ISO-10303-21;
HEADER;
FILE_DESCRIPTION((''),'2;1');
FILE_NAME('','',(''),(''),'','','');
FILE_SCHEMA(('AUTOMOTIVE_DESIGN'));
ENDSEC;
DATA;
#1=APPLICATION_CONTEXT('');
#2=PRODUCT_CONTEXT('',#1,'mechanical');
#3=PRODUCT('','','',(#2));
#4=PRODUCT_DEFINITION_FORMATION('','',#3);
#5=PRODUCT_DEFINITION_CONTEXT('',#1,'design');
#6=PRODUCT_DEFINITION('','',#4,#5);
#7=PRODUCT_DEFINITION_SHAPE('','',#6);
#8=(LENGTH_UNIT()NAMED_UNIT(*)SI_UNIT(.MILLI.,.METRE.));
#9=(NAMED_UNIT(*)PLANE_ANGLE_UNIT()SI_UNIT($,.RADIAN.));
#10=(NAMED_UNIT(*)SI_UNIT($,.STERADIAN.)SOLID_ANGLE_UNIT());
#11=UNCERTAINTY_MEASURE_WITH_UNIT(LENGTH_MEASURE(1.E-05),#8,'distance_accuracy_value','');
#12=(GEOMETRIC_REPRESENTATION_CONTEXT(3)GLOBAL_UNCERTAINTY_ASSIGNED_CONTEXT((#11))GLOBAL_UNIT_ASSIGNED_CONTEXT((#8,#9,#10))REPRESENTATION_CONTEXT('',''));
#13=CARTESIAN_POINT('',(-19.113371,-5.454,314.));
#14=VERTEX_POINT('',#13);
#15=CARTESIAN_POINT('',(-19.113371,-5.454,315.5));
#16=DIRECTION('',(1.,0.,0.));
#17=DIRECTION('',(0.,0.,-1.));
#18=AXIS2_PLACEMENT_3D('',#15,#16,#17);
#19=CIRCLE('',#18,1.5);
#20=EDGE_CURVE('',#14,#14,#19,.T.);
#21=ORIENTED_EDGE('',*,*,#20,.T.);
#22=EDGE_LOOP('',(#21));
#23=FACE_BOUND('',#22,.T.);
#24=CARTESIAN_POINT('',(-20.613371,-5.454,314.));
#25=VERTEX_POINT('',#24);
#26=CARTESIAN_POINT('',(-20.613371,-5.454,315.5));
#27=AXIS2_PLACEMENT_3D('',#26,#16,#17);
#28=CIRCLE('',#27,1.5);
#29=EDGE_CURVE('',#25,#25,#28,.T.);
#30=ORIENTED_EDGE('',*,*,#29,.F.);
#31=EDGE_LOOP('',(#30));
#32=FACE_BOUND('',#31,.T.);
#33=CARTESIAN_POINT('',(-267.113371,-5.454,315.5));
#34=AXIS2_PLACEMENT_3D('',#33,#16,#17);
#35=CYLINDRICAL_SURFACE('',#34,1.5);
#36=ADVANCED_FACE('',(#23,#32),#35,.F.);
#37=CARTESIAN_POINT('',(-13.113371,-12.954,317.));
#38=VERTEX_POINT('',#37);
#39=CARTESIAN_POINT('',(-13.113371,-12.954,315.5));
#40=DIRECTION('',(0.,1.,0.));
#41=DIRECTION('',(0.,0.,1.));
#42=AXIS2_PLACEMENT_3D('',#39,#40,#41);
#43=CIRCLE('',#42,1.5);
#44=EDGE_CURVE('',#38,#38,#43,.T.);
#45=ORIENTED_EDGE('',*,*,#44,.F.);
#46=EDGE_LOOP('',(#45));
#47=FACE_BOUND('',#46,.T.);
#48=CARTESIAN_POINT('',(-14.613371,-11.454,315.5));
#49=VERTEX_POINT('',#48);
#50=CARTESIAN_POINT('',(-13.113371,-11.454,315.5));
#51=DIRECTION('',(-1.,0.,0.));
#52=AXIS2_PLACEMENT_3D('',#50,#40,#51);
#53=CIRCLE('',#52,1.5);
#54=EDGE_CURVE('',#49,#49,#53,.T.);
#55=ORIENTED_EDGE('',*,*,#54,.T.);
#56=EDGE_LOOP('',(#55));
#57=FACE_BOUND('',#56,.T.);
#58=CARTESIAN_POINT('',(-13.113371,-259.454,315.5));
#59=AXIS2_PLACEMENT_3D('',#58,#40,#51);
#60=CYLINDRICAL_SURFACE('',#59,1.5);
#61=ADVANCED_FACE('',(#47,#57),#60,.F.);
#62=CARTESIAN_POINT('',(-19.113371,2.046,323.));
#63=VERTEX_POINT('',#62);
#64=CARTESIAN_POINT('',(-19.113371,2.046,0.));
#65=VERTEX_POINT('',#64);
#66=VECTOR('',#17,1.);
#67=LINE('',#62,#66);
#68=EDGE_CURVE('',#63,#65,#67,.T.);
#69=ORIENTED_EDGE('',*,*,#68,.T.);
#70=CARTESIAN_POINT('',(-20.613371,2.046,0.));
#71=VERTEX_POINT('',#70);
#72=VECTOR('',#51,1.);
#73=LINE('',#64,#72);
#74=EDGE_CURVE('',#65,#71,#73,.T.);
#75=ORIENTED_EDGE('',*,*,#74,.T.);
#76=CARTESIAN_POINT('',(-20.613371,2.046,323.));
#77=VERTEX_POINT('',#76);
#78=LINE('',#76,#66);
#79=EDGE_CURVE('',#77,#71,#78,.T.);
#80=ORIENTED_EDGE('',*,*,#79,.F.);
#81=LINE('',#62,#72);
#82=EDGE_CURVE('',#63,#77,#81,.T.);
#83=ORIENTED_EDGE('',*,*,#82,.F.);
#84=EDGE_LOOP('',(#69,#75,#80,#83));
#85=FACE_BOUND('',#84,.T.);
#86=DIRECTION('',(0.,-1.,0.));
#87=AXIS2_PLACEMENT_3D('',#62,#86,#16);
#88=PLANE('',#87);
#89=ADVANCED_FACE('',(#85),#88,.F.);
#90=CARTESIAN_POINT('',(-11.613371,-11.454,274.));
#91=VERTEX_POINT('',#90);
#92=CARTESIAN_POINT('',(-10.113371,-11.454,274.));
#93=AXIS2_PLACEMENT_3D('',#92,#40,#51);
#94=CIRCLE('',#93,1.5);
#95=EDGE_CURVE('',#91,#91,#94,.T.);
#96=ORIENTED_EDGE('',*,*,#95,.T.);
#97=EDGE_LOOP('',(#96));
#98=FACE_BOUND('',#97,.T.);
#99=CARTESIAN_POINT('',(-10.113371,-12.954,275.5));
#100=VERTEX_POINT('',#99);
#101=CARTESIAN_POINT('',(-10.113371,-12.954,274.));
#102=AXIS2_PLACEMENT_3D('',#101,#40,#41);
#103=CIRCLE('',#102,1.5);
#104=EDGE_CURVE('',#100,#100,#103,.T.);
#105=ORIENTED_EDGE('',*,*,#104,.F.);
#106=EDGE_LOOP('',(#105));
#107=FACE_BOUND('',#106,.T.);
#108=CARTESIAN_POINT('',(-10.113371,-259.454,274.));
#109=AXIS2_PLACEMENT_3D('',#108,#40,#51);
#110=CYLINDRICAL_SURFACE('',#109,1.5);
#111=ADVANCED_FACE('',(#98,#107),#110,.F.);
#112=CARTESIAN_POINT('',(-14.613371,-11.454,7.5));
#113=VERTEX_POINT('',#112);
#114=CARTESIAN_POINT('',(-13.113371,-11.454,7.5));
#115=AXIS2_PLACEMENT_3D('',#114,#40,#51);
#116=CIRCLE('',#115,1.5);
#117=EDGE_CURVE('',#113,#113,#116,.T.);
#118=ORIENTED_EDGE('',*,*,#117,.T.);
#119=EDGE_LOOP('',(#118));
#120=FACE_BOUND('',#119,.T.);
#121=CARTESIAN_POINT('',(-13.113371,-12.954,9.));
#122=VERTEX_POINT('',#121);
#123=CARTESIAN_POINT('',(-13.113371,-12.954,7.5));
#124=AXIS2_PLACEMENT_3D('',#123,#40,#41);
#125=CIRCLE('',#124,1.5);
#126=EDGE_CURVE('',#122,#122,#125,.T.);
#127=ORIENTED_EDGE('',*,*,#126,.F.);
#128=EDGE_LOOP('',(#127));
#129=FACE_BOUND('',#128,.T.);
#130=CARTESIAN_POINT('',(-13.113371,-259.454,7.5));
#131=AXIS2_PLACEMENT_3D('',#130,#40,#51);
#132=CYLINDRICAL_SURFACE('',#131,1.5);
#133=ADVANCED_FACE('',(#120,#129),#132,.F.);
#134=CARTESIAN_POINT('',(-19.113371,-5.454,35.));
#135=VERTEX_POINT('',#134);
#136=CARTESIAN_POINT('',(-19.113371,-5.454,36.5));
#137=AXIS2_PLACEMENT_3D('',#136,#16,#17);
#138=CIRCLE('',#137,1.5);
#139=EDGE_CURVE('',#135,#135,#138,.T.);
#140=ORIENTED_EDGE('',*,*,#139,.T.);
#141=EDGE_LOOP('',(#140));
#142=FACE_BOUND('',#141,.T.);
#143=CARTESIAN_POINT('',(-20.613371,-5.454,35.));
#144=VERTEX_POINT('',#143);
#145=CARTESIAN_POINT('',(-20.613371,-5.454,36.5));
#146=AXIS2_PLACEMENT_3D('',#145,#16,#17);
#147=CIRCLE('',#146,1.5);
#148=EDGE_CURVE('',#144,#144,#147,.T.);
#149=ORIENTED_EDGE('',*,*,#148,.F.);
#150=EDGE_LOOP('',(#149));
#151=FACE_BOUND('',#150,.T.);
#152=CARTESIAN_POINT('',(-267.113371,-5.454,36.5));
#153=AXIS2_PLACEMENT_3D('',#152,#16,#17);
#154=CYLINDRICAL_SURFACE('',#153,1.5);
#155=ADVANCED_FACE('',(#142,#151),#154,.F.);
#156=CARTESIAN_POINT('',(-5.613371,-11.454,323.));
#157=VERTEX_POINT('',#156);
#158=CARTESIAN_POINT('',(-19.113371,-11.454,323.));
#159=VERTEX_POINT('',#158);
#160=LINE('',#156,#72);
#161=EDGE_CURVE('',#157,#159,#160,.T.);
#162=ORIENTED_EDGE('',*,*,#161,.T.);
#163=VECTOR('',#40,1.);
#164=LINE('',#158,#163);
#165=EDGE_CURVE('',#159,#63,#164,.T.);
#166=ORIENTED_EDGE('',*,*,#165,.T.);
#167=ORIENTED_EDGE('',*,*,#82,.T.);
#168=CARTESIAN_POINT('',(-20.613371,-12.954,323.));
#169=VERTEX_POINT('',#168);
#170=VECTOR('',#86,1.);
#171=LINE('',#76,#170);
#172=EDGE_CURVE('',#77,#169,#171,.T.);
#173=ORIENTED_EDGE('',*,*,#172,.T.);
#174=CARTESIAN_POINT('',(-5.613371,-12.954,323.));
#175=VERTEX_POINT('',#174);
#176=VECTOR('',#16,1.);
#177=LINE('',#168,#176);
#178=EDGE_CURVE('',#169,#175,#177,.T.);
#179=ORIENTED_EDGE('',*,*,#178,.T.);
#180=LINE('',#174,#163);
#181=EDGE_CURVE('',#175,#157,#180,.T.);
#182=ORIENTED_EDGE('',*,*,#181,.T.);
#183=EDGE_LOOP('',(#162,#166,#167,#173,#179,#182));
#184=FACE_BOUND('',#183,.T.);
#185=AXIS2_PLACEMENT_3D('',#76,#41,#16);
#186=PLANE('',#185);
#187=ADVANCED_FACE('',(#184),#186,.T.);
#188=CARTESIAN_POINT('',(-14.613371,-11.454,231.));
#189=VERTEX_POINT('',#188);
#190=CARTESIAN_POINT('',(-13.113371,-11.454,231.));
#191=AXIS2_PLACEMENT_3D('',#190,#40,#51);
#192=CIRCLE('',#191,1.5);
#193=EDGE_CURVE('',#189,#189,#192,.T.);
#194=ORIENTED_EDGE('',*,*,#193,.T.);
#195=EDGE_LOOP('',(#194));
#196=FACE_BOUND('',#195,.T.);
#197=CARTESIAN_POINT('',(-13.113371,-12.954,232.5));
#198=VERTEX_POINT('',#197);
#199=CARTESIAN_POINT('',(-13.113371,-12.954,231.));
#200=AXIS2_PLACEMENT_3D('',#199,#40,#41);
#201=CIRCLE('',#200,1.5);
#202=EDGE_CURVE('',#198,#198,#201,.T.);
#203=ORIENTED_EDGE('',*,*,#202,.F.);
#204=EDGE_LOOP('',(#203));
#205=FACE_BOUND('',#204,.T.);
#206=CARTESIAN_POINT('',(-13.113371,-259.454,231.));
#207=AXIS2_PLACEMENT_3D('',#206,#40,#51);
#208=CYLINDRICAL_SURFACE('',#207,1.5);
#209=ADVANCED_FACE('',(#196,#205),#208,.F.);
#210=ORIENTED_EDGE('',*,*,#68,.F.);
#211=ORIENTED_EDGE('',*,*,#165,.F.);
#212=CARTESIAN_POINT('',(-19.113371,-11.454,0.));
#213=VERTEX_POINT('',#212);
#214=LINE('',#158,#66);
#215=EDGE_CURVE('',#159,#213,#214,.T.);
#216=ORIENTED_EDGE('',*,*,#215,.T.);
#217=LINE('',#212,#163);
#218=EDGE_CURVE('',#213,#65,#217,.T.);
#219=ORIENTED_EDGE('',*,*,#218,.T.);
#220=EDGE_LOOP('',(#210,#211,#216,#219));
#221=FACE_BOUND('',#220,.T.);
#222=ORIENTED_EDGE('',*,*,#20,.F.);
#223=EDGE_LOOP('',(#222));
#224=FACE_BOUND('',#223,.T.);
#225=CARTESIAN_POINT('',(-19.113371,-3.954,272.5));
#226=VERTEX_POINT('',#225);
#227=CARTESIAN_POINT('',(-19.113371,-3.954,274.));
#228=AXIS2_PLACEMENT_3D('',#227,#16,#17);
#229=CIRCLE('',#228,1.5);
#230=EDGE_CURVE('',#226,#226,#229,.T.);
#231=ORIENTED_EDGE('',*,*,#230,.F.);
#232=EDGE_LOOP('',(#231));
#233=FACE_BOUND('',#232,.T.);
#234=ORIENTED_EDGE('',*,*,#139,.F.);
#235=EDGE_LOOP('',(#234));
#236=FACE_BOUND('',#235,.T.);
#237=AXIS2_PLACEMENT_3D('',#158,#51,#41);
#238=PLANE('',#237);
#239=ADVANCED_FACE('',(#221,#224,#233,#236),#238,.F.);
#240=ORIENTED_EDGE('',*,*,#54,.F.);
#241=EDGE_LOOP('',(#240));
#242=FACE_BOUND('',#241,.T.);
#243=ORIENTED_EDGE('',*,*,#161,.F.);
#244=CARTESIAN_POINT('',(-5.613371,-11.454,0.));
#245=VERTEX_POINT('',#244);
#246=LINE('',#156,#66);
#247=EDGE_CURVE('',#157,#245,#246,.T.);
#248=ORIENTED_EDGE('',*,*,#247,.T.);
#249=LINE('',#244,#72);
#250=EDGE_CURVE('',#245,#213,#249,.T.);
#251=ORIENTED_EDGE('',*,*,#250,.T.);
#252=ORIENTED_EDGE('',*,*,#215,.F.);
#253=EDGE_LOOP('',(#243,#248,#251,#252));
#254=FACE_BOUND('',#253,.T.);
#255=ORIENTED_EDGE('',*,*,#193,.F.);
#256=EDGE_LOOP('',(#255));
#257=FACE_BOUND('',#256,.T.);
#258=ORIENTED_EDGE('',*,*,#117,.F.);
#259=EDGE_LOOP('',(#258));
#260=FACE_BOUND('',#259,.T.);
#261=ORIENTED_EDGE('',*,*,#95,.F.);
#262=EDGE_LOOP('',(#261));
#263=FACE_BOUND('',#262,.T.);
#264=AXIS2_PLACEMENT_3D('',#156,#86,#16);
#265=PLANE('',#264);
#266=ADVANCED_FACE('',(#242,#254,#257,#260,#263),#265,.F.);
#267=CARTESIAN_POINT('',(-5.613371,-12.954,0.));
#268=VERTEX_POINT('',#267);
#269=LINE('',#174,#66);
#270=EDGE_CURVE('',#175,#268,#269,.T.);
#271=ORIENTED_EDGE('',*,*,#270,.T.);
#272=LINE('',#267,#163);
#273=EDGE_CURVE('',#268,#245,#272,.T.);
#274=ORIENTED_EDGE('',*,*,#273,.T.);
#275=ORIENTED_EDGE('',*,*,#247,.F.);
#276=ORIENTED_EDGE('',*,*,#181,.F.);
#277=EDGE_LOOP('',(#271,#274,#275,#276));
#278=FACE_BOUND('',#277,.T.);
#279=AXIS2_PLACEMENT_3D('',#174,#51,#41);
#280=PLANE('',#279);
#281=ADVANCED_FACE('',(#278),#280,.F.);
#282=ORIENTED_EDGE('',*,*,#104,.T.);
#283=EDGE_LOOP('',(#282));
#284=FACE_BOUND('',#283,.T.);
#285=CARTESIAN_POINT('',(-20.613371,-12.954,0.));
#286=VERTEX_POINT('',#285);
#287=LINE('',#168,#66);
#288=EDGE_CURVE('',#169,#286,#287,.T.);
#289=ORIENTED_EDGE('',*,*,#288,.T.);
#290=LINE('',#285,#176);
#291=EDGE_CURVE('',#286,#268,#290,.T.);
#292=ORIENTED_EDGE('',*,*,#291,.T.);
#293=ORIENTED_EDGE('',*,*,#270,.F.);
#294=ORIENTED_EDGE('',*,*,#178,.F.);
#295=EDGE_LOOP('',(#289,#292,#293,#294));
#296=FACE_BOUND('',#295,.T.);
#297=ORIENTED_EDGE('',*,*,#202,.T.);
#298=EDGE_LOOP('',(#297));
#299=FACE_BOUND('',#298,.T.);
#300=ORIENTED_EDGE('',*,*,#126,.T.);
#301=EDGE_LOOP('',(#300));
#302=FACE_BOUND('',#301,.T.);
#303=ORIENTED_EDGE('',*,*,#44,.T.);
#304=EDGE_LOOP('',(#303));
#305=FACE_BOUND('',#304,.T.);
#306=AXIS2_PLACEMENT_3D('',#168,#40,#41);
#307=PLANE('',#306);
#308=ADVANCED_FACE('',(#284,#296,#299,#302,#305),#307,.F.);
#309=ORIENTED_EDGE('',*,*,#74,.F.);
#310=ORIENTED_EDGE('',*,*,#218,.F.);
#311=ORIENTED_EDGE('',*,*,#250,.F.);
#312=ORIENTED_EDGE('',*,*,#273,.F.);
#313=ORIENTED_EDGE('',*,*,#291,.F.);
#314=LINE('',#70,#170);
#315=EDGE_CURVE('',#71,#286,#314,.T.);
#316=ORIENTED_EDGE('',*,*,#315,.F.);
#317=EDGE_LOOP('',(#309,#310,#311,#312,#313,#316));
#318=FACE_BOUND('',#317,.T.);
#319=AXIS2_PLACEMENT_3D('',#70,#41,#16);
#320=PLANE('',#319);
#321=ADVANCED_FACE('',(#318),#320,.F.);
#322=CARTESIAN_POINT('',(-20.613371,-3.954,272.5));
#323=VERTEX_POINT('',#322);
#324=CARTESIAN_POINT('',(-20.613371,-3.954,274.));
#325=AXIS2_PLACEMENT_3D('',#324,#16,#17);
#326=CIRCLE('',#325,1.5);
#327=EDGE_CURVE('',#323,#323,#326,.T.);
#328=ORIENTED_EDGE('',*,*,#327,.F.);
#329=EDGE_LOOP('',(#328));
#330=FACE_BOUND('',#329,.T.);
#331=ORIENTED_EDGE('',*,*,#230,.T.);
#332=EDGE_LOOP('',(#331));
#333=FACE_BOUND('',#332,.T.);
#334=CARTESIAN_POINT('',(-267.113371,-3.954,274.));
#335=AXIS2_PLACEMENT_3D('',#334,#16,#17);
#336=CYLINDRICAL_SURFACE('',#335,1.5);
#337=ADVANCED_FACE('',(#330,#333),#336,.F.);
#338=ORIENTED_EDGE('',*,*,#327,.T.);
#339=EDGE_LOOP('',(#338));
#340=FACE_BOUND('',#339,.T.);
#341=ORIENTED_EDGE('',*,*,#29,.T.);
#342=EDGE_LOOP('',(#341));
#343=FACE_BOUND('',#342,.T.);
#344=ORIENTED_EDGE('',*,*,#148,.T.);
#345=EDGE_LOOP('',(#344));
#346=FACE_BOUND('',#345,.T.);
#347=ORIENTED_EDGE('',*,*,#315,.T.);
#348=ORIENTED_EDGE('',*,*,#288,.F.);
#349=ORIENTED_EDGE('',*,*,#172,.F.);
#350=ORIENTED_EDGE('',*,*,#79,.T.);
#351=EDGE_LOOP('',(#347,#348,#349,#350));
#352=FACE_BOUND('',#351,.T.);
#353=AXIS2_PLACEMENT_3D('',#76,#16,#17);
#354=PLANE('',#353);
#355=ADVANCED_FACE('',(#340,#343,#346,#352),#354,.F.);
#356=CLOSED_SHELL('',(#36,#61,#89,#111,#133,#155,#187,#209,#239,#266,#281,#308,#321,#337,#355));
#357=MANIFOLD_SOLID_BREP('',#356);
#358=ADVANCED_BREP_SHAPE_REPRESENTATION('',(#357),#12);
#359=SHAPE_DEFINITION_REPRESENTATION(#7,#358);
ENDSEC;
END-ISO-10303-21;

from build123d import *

# Parameters (mm, degrees)
EXTRUSION1_DEPTH = 323
ESQUISSE2_R      = 1.5
EXTRUSION2_DEPTH = 248
ESQUISSE3_R      = 1.5
EXTRUSION3_DEPTH = 248


with BuildPart() as part:
    # Esquisse1 → Extrusion1 (new body)
    with BuildSketch(Plane.XY):
        Polygon((-20.61337059, 2.046), (-20.61337059, -12.954), (-5.61337059, -12.954), (-5.61337059, -11.454), (-19.11337059, -11.454), (-19.11337059, 2.046), align=None)
    extrude(amount=EXTRUSION1_DEPTH)

    # Esquisse2 → Extrusion2 (cut)
    with BuildSketch(Plane(origin=(0, -11.454, 0), x_dir=(-1, 0, 0), z_dir=(0, 1, 0))):
        with Locations((13.11337059, 7.5)):
            Circle(ESQUISSE2_R)
        with Locations((10.11337059, 274)):
            Circle(ESQUISSE2_R)
        with Locations((13.11337059, 315.5)):
            Circle(ESQUISSE2_R)
        with Locations((13.11337059, 231)):
            Circle(ESQUISSE2_R)
    extrude(amount=-EXTRUSION2_DEPTH, mode=Mode.SUBTRACT)

    # Esquisse3 → Extrusion3 (cut)
    with BuildSketch(Plane(origin=(-19.11337059, 0, 0), x_dir=(0, 0, -1), z_dir=(1, 0, 0))):
        with Locations((-36.5, -5.454)):
            Circle(ESQUISSE3_R)
        with Locations((-274, -3.954)):
            Circle(ESQUISSE3_R)
        with Locations((-315.5, -5.454)):
            Circle(ESQUISSE3_R)
    extrude(amount=-EXTRUSION3_DEPTH, mode=Mode.SUBTRACT)


solid = part.part
